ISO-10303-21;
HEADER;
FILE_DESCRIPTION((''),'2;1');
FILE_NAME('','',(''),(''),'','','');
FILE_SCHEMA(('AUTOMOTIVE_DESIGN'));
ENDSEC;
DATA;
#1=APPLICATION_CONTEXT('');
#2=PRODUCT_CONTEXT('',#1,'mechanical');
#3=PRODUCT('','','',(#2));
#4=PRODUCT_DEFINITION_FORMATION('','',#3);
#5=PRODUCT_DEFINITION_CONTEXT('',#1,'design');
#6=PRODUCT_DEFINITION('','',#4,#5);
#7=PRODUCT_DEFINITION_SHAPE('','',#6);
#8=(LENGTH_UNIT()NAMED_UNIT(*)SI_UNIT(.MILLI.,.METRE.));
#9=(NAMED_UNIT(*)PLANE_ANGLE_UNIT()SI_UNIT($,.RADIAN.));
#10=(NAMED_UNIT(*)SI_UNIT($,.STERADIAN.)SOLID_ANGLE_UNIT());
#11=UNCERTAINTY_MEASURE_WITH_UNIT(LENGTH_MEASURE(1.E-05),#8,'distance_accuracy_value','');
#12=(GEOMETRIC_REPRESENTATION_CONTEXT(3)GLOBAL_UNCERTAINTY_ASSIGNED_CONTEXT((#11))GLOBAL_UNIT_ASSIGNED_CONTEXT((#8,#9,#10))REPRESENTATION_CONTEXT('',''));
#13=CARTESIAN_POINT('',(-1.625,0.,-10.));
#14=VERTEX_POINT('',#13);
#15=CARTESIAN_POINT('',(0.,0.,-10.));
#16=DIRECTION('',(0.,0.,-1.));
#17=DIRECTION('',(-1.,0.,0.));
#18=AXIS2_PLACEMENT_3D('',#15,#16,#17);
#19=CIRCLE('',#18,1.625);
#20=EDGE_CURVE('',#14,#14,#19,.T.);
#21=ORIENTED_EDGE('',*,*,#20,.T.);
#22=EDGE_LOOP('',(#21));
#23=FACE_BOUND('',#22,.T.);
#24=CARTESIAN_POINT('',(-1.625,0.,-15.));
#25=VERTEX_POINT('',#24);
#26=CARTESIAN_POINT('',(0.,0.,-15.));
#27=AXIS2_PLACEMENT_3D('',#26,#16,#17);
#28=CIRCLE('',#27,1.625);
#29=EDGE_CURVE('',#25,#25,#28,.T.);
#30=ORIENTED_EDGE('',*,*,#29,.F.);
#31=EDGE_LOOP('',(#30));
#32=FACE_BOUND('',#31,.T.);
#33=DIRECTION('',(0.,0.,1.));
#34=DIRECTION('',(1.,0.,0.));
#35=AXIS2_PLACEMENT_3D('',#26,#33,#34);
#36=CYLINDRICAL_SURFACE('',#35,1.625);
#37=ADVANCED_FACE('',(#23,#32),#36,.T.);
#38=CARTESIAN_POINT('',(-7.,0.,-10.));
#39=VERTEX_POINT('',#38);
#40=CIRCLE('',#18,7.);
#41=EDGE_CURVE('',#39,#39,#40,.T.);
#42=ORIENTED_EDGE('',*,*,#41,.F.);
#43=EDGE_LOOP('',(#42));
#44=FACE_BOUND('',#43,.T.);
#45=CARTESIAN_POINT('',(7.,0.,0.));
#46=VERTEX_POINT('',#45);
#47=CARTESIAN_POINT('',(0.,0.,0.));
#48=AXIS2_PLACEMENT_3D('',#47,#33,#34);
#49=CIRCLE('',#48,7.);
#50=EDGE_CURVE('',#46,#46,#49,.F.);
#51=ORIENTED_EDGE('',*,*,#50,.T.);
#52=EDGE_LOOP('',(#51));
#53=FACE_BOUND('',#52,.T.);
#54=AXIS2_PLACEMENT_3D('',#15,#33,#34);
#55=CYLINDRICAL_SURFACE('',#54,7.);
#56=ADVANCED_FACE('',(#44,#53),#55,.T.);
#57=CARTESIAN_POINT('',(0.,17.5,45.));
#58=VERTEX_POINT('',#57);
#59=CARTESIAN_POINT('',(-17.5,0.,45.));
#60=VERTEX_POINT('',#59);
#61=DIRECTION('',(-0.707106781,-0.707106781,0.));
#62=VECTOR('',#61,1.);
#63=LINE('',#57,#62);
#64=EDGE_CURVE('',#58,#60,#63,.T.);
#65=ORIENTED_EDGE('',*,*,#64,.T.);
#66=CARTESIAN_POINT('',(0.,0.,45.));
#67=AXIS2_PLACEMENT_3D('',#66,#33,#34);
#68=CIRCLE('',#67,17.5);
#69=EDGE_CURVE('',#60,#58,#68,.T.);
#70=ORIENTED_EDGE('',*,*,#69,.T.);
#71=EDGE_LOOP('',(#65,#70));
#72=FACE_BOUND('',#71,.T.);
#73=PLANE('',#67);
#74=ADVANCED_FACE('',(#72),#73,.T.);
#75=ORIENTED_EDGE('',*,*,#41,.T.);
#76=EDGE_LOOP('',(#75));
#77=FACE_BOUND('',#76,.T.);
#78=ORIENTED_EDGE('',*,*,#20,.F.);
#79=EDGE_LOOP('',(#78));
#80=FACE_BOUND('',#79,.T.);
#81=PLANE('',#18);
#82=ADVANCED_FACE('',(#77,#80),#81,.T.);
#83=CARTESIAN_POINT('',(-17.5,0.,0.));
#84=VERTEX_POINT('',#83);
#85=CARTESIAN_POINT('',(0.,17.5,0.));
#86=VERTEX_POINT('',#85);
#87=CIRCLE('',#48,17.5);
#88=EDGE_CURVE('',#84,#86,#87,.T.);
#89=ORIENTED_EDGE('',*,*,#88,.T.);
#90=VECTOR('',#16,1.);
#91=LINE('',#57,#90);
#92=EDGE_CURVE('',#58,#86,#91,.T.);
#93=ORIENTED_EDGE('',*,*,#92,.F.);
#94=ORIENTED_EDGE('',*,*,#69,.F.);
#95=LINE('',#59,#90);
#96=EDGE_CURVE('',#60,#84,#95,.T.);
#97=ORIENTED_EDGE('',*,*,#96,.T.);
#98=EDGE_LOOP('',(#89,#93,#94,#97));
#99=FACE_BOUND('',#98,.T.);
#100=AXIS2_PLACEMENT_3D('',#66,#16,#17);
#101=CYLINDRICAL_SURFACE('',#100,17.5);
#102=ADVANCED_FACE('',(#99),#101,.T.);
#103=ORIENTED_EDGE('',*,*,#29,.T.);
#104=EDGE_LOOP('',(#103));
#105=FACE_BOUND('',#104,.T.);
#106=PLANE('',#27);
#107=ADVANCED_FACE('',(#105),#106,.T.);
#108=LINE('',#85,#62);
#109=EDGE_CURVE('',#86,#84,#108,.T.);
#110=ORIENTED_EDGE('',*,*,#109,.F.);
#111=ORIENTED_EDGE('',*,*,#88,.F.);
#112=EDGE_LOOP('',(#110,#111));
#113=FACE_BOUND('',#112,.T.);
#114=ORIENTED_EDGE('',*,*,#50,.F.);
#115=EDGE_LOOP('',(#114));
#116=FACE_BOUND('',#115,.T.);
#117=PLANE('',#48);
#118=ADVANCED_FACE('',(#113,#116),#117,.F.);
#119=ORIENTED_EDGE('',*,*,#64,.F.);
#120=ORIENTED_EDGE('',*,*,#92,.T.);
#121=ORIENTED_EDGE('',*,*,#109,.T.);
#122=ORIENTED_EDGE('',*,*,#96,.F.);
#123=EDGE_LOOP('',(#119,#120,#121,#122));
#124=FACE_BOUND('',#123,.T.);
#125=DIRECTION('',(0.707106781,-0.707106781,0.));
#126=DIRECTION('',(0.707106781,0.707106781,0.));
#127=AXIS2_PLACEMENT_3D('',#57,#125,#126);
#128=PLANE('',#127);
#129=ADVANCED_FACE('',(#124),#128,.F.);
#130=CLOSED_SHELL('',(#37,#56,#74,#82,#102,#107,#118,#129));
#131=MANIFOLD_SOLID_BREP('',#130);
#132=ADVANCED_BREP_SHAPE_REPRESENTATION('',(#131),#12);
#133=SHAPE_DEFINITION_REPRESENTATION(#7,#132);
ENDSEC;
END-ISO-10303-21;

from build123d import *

# Parameters (mm, degrees)
EXTRUDE_1_DEPTH = 45
SKETCH_2_R      = 1.625
EXTRUDE_2_DEPTH = 15
SKETCH_3_R      = 7
EXTRUDE_3_DEPTH = 10


with BuildPart() as part:
    # 草图1 → 凸台-拉伸1 (new body)
    with BuildSketch(Plane.XY):
        with BuildLine():
            Line((0, 17.5), (-17.5, 0))
            ThreePointArc((-17.5, 0), (12.374368671, -12.374368671), (0, 17.5))
        make_face()
    extrude(amount=EXTRUDE_1_DEPTH)

    # 草图2 → 凸台-拉伸2 (add)
    with BuildSketch(Plane(origin=(0, 0, 0), x_dir=(-1, 0, 0), z_dir=(0, 0, -1))):
        Circle(SKETCH_2_R)
    extrude(amount=EXTRUDE_2_DEPTH)

    # 草图3 → 凸台-拉伸3 (add)
    with BuildSketch(Plane(origin=(0, 0, 0), x_dir=(-1, 0, 0), z_dir=(0, 0, -1))):
        Circle(SKETCH_3_R)
    extrude(amount=EXTRUDE_3_DEPTH)


solid = part.part
